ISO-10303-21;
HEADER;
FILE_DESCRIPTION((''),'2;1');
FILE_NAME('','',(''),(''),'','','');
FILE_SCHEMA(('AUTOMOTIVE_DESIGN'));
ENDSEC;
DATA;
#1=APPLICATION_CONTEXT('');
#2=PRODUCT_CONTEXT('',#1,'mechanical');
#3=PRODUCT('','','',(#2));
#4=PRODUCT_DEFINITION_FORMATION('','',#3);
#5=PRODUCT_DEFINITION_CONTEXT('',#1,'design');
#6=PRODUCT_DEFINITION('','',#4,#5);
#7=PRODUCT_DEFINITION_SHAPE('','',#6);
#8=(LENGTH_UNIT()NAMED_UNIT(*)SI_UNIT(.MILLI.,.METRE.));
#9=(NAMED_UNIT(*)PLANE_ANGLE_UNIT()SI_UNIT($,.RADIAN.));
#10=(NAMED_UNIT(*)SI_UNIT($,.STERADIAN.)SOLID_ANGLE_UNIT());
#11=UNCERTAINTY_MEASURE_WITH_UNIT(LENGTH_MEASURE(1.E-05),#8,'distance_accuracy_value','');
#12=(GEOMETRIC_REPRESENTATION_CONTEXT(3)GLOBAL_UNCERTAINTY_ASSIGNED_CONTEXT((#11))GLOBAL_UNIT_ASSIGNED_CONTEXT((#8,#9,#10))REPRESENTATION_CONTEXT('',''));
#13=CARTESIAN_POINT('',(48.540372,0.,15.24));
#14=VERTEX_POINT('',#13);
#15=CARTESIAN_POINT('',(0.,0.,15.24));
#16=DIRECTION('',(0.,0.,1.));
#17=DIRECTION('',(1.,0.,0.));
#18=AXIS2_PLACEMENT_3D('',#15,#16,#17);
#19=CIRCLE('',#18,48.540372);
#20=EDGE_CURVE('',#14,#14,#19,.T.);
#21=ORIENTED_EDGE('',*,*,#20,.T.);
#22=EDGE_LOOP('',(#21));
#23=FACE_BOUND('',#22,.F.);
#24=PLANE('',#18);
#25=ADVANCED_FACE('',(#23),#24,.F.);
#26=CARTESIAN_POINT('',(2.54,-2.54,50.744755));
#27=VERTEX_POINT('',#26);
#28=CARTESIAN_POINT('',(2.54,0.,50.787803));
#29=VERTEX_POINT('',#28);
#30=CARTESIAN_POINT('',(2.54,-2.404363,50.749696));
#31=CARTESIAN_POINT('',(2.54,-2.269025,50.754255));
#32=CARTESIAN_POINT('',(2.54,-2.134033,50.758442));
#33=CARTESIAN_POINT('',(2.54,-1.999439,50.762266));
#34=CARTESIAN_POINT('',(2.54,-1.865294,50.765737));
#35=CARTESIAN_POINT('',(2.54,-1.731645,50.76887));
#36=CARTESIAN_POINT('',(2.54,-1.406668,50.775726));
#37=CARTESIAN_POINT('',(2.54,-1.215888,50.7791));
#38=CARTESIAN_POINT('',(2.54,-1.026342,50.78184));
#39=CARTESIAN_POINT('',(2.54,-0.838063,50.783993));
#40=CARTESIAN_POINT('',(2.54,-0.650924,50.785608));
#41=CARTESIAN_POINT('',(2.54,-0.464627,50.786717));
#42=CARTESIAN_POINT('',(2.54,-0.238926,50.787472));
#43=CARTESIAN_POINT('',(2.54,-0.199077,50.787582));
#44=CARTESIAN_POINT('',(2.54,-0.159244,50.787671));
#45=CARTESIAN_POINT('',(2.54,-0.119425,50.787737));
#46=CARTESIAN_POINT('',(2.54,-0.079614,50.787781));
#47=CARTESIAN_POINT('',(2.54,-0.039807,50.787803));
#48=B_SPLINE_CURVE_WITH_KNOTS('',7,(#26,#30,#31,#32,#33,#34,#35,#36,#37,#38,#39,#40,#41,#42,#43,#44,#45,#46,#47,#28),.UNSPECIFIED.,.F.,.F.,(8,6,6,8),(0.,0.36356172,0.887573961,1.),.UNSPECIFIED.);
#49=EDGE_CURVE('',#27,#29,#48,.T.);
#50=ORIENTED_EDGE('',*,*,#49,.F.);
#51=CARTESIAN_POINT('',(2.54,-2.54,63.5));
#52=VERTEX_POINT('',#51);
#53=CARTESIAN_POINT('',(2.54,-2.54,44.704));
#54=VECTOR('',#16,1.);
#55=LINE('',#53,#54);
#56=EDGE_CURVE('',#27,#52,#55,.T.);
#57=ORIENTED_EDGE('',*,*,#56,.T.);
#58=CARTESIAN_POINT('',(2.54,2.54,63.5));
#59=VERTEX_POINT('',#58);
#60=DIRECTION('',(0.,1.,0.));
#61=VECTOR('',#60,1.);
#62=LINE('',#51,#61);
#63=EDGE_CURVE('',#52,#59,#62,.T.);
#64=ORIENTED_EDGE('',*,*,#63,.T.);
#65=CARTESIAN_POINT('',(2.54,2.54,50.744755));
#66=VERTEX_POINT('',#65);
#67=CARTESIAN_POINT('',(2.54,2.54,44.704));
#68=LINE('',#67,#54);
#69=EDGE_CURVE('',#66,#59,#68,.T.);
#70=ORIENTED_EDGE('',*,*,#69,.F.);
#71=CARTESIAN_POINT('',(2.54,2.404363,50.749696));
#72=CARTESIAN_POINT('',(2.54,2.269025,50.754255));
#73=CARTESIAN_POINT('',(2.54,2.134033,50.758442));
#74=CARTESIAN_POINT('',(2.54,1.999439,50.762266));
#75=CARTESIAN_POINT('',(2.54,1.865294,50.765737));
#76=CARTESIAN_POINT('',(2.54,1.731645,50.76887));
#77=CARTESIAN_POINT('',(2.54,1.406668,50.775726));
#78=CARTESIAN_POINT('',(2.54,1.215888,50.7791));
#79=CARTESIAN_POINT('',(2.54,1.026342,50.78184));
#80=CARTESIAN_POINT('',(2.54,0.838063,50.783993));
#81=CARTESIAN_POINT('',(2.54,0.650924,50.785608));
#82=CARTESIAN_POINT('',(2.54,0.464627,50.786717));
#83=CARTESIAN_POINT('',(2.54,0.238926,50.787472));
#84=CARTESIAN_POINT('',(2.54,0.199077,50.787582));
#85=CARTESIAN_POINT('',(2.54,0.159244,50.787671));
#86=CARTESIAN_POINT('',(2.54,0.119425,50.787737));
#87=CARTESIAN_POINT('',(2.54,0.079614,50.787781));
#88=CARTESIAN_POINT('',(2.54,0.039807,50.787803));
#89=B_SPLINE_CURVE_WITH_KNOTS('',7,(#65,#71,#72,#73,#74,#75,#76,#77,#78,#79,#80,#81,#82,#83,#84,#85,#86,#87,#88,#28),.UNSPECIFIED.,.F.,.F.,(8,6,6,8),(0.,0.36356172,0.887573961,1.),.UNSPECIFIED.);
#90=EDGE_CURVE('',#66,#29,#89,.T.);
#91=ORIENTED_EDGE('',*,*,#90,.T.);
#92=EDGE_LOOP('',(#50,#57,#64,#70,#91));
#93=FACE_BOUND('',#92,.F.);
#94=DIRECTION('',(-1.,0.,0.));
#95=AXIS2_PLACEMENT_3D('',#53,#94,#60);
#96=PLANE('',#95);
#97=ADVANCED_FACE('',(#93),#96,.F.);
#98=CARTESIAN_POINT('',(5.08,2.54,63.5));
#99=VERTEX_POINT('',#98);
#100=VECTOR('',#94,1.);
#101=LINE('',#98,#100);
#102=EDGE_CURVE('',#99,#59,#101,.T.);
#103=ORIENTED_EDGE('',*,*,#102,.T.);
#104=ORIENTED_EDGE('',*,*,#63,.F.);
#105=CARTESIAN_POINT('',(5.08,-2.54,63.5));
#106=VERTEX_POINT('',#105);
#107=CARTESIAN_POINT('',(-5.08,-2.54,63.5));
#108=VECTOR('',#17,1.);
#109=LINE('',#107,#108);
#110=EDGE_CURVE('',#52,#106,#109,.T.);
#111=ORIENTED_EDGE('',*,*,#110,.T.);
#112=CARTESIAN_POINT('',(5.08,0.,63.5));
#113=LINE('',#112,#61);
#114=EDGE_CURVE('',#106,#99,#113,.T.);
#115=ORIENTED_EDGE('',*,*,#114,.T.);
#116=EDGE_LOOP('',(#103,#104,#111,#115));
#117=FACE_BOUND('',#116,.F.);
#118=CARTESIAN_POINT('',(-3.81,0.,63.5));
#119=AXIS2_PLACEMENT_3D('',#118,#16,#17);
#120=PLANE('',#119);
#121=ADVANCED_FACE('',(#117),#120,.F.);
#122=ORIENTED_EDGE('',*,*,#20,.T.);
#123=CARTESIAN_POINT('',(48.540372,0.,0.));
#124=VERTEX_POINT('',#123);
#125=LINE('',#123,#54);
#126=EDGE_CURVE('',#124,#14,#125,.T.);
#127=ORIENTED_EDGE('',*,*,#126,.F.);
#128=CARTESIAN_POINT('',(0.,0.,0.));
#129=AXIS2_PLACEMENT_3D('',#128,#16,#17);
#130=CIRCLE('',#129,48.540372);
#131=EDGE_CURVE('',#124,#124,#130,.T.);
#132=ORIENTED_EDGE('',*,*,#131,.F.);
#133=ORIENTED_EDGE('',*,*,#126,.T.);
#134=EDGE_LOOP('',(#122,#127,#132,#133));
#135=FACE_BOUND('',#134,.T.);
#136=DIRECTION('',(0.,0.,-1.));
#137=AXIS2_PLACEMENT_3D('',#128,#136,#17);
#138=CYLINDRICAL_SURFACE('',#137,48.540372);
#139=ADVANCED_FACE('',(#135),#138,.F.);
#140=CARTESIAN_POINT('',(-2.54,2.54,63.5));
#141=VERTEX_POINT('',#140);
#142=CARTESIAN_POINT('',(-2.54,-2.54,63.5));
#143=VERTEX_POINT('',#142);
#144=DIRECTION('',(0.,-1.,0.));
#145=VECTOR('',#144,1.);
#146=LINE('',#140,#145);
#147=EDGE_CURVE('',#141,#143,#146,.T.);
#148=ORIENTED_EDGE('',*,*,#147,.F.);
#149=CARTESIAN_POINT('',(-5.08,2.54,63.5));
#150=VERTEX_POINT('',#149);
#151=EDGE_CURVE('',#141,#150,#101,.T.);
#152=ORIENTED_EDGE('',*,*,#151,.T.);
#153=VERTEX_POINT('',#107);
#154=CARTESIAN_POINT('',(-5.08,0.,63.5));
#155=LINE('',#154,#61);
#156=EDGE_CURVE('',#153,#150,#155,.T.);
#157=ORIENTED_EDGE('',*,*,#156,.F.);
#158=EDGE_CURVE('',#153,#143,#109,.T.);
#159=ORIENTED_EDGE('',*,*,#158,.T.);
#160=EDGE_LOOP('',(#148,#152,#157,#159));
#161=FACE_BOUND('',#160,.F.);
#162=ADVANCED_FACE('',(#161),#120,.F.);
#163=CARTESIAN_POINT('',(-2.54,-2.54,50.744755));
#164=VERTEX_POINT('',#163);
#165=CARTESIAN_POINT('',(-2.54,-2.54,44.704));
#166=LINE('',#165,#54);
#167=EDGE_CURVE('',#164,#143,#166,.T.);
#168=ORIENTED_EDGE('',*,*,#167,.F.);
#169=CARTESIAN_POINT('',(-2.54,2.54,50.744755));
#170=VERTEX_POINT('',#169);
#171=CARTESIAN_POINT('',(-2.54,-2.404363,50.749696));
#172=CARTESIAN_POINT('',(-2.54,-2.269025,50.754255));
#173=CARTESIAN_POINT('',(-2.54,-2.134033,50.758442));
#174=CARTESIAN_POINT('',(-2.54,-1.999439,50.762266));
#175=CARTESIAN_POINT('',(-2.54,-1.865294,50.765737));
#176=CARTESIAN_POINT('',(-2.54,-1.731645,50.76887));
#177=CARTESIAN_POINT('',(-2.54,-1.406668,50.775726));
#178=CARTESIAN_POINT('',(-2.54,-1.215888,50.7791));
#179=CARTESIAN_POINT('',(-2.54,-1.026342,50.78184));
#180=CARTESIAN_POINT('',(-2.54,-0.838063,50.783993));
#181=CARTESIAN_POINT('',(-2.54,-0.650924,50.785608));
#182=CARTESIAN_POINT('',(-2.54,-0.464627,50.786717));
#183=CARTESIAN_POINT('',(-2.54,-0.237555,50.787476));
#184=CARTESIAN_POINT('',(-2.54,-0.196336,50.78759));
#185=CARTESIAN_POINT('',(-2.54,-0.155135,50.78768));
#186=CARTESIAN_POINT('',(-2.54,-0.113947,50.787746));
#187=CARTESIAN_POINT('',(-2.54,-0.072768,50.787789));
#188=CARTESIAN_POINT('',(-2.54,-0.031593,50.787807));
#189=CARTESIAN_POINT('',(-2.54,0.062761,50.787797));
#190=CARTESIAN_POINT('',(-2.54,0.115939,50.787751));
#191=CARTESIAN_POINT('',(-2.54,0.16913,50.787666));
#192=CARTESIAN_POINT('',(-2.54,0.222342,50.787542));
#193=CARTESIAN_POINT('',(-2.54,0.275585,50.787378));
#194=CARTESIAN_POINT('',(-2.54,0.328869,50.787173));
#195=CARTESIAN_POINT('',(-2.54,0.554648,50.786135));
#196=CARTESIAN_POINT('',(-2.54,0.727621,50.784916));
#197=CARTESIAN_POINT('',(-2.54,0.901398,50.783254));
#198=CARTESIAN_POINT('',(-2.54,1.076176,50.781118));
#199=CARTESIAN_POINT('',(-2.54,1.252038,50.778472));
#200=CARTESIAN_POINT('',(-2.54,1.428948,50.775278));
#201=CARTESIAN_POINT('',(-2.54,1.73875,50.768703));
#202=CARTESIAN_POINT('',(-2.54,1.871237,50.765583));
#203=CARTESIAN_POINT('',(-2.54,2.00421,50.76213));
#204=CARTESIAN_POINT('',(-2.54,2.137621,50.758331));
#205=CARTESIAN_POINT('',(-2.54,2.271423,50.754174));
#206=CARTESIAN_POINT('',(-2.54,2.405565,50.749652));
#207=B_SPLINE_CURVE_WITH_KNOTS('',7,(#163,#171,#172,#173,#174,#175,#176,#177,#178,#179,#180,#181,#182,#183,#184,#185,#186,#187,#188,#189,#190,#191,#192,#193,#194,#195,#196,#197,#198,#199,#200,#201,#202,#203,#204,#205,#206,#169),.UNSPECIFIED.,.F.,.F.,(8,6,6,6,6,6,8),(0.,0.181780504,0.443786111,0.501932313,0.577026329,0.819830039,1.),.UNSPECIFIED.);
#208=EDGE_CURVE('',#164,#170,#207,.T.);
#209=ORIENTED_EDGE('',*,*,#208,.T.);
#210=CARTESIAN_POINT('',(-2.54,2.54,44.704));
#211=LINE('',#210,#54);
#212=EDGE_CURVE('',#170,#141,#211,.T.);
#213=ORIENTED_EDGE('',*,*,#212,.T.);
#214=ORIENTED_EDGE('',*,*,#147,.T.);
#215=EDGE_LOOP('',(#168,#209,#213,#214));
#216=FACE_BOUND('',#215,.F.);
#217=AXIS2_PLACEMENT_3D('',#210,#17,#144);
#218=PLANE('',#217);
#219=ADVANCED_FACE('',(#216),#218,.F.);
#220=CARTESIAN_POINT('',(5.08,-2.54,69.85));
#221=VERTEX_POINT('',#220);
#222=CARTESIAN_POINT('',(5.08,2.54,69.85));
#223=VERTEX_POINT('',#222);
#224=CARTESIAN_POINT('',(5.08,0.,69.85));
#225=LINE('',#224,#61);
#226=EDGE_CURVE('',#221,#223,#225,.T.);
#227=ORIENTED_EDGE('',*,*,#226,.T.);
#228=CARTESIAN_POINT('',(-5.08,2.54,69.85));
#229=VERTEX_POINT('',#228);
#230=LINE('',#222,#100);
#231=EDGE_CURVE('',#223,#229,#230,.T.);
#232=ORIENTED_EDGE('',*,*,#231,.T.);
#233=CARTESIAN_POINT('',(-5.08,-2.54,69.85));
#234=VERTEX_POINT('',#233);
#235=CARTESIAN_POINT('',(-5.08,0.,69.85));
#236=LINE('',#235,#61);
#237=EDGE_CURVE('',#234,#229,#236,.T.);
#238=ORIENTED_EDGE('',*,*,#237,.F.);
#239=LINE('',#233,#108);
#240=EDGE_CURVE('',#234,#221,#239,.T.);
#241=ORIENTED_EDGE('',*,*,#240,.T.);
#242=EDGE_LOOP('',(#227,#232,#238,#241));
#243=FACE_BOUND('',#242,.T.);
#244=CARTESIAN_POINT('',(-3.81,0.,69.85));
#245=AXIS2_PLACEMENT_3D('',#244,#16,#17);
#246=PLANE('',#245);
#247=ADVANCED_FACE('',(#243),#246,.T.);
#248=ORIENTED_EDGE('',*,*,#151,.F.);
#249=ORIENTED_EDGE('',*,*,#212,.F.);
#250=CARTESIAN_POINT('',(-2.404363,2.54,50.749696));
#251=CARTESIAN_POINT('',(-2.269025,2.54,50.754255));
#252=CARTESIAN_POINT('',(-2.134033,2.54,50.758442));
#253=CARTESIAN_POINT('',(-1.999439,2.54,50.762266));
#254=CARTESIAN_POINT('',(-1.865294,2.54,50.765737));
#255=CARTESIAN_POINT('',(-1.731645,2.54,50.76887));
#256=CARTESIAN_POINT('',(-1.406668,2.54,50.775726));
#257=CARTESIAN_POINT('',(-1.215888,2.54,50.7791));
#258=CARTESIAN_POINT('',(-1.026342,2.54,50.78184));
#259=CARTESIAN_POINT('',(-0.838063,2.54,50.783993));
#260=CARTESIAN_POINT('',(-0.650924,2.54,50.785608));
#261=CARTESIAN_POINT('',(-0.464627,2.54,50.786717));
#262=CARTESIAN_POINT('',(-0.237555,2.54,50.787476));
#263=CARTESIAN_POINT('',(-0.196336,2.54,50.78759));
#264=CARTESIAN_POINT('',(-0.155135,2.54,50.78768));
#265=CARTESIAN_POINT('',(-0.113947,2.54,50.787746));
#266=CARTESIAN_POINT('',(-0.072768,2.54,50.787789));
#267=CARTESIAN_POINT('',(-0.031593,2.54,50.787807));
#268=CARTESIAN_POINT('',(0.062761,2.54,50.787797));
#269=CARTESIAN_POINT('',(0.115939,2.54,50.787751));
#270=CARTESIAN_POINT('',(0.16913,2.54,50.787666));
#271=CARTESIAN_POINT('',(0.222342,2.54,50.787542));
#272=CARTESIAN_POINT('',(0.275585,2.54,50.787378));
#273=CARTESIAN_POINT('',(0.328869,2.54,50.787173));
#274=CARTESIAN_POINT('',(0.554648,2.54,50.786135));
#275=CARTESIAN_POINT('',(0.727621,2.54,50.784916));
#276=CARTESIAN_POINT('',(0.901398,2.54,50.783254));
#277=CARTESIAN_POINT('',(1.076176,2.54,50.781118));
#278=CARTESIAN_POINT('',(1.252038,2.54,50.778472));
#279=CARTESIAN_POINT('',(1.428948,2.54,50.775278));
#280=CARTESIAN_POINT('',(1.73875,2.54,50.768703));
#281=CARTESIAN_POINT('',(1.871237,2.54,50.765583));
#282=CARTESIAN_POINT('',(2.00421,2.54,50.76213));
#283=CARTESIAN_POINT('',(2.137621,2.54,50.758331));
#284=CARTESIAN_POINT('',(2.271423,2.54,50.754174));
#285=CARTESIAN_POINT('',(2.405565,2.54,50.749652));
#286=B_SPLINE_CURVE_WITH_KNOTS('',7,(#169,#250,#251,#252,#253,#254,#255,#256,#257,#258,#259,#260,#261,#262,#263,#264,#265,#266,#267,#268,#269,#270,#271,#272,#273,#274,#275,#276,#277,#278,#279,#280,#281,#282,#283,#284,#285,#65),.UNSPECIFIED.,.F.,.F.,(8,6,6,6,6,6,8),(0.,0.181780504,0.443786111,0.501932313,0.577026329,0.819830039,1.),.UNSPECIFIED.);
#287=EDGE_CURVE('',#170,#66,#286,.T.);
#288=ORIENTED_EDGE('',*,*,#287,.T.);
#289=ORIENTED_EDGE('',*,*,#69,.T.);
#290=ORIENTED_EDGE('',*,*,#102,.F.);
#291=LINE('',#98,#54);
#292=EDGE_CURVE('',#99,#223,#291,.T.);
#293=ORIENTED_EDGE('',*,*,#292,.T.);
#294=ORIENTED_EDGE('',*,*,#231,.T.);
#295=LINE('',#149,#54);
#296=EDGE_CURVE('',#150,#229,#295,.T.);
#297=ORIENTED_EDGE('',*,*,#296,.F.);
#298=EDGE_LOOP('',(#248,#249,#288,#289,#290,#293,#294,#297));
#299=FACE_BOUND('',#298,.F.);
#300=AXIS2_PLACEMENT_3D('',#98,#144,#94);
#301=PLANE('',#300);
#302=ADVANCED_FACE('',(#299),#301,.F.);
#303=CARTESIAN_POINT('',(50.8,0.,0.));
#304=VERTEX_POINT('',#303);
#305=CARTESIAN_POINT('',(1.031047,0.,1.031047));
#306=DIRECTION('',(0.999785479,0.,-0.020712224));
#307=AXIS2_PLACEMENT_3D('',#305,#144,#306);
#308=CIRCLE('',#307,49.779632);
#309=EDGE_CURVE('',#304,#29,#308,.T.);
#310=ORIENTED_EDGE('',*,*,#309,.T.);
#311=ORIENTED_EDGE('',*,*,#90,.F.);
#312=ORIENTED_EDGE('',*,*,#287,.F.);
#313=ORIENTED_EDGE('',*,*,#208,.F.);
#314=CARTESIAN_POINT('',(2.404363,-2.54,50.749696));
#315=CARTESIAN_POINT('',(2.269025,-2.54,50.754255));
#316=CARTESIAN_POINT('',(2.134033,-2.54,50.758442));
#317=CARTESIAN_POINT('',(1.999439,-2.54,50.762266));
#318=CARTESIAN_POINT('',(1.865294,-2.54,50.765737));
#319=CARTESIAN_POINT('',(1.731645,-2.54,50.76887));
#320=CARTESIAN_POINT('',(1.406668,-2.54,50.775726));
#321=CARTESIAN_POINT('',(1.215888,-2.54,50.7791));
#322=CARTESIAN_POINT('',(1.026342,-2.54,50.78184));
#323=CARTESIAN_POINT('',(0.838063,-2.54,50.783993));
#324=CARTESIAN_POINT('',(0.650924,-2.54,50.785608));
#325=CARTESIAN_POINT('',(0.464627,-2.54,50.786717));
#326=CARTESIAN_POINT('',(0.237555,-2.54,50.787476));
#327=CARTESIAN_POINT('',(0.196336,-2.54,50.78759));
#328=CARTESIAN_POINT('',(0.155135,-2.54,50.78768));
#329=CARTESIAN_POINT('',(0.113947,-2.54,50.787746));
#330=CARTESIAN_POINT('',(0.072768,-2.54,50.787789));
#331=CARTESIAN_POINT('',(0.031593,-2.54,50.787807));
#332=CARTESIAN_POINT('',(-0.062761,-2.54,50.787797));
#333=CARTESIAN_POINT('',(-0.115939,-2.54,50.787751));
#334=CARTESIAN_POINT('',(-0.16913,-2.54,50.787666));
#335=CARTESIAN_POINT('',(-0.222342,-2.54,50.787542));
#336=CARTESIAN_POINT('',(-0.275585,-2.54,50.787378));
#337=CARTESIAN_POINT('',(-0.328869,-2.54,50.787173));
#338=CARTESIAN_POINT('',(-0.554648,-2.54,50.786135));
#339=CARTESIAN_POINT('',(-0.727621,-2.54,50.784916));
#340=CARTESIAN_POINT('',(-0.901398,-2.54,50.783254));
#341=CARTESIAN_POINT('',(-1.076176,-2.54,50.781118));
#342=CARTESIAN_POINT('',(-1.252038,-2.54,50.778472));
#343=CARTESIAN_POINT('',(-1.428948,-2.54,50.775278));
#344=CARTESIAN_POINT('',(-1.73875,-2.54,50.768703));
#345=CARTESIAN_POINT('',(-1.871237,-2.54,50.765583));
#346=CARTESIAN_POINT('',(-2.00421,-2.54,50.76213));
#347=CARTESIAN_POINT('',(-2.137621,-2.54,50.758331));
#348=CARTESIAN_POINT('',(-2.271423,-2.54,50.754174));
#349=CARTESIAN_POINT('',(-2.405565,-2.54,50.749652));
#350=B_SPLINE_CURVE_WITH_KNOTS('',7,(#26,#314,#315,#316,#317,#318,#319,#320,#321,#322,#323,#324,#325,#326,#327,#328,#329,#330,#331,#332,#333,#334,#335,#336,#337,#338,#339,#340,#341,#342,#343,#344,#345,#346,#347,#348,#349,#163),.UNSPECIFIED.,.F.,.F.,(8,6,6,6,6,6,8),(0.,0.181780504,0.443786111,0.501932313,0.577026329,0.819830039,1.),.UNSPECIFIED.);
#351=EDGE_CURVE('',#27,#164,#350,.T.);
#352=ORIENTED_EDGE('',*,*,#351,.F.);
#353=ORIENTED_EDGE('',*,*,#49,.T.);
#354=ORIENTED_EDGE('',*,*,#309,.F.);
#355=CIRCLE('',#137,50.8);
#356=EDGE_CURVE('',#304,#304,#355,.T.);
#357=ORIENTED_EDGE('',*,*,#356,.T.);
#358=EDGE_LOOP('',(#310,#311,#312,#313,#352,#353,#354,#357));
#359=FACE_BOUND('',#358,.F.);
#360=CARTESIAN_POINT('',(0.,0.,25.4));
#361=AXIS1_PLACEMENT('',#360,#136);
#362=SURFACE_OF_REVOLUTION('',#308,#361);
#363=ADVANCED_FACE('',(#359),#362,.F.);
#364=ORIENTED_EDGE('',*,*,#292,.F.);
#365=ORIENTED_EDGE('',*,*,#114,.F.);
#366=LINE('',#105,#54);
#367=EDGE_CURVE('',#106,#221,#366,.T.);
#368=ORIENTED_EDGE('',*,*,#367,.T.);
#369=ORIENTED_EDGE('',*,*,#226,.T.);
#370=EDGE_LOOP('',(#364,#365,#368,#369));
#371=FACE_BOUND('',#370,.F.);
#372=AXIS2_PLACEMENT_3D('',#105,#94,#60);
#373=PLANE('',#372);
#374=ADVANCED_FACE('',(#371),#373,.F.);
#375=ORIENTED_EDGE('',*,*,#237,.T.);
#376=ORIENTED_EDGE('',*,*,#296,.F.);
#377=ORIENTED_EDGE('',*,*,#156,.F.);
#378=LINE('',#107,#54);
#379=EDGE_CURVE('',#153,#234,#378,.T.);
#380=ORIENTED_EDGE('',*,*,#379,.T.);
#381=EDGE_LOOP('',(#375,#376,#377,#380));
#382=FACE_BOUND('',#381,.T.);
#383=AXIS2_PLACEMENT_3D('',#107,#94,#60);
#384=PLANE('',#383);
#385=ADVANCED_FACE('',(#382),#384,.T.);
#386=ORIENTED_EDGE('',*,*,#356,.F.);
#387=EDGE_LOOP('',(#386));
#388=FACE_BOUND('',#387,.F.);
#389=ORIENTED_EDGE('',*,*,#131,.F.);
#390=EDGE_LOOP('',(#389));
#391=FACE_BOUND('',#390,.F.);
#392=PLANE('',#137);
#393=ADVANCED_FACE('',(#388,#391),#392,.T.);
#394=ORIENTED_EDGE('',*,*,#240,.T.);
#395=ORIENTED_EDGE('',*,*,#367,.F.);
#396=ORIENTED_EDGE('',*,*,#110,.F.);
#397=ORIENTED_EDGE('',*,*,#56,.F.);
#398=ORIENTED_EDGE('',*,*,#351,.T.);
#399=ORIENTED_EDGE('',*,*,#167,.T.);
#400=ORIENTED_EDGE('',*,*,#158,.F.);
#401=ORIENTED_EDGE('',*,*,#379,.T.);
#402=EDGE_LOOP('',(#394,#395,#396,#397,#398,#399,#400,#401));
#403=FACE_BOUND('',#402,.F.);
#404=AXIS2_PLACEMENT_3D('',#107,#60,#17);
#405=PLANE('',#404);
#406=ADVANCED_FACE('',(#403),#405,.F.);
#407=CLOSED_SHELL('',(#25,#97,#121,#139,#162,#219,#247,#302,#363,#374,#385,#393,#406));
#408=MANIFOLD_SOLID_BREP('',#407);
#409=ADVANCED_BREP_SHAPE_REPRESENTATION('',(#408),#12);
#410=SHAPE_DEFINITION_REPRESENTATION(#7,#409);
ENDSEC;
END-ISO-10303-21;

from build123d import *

# Parameters (mm, degrees)
F3_DEPTH = 15.24
F5_START = 44.704
F5_DEPTH = 18.796
F6_W     = 2.54
F6_H     = 5.08
F6_W_2   = 5.08
F7_DEPTH = 6.35
F8_DEPTH = 50.8


with BuildPart() as f1:
    # F0 (on Front) → F1 (revolve)
    with BuildSketch(Plane.XZ):
        with BuildLine():
            Line((0, 50.8), (0, 0))
            Line((0, 0), (50.8, 0))
            ThreePointArc((50.8, 0), (36.2305621639, 36.2305621639), (0, 50.8))
        make_face()
    revolve(axis=Axis((0, 0, 25.4), (0, 0, -1)))

    # F2 (on Top) → F3 (cut)
    with BuildSketch(Plane.XY):
        with BuildLine():
            ThreePointArc((-48.5403721845, 0), (0, -48.5403721845), (48.5403721845, 0))
            ThreePointArc((48.5403721845, 0), (0, 48.5403721845), (-48.5403721845, 0))
        make_face()
    extrude(amount=F3_DEPTH, mode=Mode.SUBTRACT)

    # F4 (on Top) → F5 (join)
    with BuildSketch(Plane.XY.offset(F5_START)):
        Polygon((2.54, -2.54), (2.54, 0), (2.54, 2.54), (-2.54, 2.54), (-2.54, -2.54), align=None)
    extrude(amount=F5_DEPTH)

    # F6 (on face) → F7 (join)
    with BuildSketch(Plane.XY.offset(63.5)):
        with Locations((-3.81, 0)):
            Rectangle(F6_W, F6_H)
        with Locations((3.81, 0)):
            Rectangle(F6_W, F6_H)
        Rectangle(F6_W_2, F6_H)
    extrude(amount=F7_DEPTH)

    # F4 (on Top) → F8 (cut)
    with BuildSketch(Plane.XY):
        Polygon((2.54, -2.54), (2.54, 0), (2.54, 2.54), (-2.54, 2.54), (-2.54, -2.54), align=None)
    extrude(amount=-F8_DEPTH, mode=Mode.SUBTRACT)


solid = f1.part
